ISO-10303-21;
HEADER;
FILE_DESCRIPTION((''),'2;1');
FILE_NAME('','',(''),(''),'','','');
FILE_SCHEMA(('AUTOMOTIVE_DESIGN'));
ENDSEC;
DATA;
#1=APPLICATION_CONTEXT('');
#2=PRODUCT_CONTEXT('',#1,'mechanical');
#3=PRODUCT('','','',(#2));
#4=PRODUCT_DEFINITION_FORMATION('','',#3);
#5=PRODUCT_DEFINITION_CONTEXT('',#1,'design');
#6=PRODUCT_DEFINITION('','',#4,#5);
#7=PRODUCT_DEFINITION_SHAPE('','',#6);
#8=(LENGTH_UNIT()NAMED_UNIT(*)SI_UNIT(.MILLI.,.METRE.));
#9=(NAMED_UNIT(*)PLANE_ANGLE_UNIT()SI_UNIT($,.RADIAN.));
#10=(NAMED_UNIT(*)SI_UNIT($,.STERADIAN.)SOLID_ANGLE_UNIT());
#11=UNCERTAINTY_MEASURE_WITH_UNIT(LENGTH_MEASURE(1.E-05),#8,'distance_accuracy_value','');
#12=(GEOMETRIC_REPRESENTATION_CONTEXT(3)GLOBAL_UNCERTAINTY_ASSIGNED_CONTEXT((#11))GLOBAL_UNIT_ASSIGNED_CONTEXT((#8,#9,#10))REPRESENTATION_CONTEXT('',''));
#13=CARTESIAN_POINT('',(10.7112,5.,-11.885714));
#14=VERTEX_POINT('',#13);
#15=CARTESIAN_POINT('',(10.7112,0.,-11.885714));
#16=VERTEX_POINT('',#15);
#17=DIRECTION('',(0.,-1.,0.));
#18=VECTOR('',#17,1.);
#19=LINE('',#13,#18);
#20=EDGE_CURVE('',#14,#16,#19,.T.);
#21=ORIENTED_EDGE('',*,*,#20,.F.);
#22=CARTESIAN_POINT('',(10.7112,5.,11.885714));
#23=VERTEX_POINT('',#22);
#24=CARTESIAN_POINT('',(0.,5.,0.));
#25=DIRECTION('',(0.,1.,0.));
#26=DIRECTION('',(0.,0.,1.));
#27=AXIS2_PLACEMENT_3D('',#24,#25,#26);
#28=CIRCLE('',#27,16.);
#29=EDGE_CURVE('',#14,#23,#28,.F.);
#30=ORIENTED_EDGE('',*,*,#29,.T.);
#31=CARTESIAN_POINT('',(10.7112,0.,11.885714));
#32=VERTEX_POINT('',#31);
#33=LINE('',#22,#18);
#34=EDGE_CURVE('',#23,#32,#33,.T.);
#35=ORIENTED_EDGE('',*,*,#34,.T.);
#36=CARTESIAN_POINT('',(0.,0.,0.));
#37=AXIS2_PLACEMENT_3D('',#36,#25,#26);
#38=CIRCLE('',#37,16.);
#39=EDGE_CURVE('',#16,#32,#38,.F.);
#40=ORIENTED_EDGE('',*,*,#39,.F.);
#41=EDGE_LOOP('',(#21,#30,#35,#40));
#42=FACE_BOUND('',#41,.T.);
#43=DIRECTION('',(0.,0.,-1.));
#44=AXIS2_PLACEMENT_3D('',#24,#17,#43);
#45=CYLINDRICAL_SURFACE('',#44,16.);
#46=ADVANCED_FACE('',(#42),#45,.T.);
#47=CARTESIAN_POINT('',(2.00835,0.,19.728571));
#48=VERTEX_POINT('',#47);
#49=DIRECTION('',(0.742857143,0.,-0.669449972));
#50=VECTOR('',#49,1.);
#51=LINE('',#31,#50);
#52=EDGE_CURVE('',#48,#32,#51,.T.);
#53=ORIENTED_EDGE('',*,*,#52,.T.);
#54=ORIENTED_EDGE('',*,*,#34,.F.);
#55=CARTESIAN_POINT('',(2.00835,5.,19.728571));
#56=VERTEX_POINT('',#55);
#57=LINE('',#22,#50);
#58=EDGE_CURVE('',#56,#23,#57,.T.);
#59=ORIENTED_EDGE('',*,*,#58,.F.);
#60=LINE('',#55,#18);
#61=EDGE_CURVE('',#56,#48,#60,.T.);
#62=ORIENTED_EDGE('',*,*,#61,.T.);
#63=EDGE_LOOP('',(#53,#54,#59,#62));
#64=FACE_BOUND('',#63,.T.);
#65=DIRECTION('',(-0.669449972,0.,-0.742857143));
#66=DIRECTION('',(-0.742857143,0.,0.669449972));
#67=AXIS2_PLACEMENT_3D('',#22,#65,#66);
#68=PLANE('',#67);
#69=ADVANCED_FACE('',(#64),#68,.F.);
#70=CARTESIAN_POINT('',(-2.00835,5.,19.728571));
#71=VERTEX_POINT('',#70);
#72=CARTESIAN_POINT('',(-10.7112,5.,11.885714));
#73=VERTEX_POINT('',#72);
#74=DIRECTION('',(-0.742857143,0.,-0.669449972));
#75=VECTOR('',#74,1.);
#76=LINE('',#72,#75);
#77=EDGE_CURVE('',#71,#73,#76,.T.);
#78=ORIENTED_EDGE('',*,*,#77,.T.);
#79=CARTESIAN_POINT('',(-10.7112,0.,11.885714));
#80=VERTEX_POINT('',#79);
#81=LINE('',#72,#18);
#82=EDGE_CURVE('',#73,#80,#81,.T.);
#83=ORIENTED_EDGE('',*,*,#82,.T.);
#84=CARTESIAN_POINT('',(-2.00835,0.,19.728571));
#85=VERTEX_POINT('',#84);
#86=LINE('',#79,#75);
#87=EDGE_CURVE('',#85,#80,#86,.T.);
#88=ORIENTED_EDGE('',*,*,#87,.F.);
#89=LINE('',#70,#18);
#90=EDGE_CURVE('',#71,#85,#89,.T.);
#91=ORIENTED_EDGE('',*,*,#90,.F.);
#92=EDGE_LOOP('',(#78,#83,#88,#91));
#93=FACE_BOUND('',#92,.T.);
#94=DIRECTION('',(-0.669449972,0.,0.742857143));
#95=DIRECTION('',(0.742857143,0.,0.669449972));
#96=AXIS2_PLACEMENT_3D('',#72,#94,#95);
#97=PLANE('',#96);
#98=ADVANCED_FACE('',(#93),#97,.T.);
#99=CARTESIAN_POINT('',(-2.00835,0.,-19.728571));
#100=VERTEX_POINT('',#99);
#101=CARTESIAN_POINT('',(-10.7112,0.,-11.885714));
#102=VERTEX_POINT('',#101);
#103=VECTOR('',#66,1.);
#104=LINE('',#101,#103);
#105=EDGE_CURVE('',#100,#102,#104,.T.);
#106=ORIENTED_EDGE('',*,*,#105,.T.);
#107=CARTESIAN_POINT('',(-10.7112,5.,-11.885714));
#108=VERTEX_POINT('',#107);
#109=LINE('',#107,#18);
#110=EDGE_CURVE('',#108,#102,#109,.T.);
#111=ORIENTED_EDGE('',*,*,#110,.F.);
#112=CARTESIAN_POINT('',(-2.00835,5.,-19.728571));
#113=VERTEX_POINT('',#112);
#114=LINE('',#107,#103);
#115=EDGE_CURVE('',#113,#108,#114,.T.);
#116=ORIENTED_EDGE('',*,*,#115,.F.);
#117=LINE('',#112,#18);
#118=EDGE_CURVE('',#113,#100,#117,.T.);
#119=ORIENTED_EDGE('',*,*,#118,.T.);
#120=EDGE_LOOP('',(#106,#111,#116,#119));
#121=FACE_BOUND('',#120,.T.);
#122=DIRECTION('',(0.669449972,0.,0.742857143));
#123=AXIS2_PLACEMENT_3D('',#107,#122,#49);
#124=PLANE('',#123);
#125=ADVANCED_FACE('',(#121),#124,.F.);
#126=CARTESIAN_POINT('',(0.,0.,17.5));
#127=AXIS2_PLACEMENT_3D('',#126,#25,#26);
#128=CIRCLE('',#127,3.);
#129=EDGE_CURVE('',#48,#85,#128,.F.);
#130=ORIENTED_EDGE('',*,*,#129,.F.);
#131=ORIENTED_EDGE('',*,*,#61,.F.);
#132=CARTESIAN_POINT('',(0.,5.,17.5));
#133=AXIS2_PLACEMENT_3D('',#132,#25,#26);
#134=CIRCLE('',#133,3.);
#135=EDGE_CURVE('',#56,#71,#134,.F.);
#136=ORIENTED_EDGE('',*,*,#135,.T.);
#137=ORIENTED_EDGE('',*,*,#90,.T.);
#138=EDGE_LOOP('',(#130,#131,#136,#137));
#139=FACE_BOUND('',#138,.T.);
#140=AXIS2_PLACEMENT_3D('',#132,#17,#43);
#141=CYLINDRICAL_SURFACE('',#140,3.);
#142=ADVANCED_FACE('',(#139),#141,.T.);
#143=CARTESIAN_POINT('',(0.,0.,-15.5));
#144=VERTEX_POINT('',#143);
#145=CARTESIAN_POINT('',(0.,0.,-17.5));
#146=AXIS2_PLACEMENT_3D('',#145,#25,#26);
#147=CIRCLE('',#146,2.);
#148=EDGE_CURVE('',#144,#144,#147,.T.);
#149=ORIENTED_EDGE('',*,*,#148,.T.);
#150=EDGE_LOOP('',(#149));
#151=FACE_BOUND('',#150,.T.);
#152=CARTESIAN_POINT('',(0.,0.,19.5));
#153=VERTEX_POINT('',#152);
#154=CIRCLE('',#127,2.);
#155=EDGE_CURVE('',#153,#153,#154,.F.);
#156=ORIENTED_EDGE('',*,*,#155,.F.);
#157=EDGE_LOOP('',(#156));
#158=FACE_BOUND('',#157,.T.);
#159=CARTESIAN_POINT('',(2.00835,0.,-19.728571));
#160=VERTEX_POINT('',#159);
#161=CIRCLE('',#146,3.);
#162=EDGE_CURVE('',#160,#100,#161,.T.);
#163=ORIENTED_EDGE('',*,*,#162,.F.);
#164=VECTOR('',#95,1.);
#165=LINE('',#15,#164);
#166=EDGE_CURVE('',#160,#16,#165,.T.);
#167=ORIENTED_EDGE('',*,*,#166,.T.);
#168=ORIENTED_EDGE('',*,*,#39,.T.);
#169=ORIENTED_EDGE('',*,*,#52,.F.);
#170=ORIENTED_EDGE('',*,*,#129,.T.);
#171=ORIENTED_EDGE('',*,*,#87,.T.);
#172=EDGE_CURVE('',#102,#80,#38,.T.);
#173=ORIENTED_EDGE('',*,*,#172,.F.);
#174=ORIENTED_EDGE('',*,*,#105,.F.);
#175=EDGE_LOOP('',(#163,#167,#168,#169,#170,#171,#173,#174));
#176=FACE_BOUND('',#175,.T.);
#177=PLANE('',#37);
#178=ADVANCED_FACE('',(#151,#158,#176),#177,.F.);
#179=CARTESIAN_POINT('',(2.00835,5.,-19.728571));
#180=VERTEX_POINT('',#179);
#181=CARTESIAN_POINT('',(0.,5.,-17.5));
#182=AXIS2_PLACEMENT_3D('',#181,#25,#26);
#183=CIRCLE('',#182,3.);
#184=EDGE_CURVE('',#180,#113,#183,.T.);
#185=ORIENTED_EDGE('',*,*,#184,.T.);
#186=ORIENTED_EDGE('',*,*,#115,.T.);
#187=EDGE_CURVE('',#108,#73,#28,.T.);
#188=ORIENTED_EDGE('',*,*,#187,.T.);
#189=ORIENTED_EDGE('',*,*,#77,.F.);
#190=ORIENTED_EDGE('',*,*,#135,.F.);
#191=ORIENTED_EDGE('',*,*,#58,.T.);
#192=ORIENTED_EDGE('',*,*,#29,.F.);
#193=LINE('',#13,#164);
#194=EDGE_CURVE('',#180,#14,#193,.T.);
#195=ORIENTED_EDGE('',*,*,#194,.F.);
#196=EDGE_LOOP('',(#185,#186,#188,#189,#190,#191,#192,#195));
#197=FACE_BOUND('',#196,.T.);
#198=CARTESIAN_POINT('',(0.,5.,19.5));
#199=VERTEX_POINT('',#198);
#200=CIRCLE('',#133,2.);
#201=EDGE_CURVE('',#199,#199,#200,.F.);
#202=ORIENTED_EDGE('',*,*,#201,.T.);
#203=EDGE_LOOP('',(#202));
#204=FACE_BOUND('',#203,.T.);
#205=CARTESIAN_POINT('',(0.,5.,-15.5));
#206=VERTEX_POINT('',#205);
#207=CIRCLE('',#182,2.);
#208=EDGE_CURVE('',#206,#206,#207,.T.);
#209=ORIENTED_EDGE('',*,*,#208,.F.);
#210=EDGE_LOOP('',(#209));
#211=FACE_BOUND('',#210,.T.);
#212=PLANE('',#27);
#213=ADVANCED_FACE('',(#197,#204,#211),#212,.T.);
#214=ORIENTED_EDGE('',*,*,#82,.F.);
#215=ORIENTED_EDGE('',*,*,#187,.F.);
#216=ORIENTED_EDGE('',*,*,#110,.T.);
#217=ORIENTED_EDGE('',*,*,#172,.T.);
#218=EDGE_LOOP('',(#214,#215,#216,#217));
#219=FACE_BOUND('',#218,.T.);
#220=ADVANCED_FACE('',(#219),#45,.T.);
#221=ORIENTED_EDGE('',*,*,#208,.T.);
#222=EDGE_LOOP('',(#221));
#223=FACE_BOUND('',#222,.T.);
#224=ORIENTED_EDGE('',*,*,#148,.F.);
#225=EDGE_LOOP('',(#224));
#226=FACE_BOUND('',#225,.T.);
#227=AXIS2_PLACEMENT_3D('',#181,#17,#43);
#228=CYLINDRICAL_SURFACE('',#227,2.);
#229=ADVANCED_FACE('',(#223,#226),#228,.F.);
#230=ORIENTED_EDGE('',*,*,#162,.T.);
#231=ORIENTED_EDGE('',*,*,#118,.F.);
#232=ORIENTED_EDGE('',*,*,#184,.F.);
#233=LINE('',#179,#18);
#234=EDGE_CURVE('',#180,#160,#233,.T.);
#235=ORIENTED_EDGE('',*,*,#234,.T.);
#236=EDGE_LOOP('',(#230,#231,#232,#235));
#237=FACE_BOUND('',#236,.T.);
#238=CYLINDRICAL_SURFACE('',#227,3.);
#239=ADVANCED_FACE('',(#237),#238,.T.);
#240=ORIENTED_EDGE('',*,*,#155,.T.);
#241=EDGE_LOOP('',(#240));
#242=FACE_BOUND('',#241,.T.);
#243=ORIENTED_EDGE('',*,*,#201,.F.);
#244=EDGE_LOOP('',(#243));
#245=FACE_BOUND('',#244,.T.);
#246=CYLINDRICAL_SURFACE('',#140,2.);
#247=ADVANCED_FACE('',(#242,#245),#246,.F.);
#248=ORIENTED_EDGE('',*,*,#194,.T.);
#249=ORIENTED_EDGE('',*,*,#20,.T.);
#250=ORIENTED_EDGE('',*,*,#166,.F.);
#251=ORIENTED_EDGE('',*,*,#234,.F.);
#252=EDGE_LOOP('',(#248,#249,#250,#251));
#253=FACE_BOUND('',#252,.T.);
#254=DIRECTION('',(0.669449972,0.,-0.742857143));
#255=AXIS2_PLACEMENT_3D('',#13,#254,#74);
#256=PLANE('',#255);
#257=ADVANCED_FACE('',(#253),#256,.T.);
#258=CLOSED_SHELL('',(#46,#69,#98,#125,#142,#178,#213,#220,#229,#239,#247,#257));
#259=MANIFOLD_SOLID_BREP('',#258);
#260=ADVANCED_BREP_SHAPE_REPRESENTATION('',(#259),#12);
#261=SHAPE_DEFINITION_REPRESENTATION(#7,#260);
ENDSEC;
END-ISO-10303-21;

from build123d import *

# Parameters (mm, degrees)
SKETCH_1_R      = 2
EXTRUDE_1_DEPTH = 5


with BuildPart() as part:
    # 草图1 → 凸台-拉伸1 (new body)
    with BuildSketch(Plane(origin=(0, 0, 0), x_dir=(1, 0, 0), z_dir=(0, 1, 0))):
        with BuildLine():
            ThreePointArc((2.008349917, -19.728571429), (0, -20.5), (-2.008349917, -19.728571429))
            Line((-2.008349917, -19.728571429), (-10.711199556, -11.885714286))
            ThreePointArc((-10.711199556, -11.885714286), (-16, 0), (-10.711199556, 11.885714286))
            Line((-10.711199556, 11.885714286), (-2.008349917, 19.728571429))
            ThreePointArc((-2.008349917, 19.728571429), (0, 20.5), (2.008349917, 19.728571429))
            Line((2.008349917, 19.728571429), (10.711199556, 11.885714286))
            ThreePointArc((10.711199556, 11.885714286), (16, 0), (10.711199556, -11.885714286))
            Line((10.711199556, -11.885714286), (2.008349917, -19.728571429))
        make_face()
        with Locations(Location((0, 17.5, 0), (0, 0, 270))):
            Circle(SKETCH_1_R, mode=Mode.SUBTRACT)
        with Locations(Location((0, -17.5, 0), (0, 0, 270))):
            Circle(SKETCH_1_R, mode=Mode.SUBTRACT)
    extrude(amount=EXTRUDE_1_DEPTH)


solid = part.part
